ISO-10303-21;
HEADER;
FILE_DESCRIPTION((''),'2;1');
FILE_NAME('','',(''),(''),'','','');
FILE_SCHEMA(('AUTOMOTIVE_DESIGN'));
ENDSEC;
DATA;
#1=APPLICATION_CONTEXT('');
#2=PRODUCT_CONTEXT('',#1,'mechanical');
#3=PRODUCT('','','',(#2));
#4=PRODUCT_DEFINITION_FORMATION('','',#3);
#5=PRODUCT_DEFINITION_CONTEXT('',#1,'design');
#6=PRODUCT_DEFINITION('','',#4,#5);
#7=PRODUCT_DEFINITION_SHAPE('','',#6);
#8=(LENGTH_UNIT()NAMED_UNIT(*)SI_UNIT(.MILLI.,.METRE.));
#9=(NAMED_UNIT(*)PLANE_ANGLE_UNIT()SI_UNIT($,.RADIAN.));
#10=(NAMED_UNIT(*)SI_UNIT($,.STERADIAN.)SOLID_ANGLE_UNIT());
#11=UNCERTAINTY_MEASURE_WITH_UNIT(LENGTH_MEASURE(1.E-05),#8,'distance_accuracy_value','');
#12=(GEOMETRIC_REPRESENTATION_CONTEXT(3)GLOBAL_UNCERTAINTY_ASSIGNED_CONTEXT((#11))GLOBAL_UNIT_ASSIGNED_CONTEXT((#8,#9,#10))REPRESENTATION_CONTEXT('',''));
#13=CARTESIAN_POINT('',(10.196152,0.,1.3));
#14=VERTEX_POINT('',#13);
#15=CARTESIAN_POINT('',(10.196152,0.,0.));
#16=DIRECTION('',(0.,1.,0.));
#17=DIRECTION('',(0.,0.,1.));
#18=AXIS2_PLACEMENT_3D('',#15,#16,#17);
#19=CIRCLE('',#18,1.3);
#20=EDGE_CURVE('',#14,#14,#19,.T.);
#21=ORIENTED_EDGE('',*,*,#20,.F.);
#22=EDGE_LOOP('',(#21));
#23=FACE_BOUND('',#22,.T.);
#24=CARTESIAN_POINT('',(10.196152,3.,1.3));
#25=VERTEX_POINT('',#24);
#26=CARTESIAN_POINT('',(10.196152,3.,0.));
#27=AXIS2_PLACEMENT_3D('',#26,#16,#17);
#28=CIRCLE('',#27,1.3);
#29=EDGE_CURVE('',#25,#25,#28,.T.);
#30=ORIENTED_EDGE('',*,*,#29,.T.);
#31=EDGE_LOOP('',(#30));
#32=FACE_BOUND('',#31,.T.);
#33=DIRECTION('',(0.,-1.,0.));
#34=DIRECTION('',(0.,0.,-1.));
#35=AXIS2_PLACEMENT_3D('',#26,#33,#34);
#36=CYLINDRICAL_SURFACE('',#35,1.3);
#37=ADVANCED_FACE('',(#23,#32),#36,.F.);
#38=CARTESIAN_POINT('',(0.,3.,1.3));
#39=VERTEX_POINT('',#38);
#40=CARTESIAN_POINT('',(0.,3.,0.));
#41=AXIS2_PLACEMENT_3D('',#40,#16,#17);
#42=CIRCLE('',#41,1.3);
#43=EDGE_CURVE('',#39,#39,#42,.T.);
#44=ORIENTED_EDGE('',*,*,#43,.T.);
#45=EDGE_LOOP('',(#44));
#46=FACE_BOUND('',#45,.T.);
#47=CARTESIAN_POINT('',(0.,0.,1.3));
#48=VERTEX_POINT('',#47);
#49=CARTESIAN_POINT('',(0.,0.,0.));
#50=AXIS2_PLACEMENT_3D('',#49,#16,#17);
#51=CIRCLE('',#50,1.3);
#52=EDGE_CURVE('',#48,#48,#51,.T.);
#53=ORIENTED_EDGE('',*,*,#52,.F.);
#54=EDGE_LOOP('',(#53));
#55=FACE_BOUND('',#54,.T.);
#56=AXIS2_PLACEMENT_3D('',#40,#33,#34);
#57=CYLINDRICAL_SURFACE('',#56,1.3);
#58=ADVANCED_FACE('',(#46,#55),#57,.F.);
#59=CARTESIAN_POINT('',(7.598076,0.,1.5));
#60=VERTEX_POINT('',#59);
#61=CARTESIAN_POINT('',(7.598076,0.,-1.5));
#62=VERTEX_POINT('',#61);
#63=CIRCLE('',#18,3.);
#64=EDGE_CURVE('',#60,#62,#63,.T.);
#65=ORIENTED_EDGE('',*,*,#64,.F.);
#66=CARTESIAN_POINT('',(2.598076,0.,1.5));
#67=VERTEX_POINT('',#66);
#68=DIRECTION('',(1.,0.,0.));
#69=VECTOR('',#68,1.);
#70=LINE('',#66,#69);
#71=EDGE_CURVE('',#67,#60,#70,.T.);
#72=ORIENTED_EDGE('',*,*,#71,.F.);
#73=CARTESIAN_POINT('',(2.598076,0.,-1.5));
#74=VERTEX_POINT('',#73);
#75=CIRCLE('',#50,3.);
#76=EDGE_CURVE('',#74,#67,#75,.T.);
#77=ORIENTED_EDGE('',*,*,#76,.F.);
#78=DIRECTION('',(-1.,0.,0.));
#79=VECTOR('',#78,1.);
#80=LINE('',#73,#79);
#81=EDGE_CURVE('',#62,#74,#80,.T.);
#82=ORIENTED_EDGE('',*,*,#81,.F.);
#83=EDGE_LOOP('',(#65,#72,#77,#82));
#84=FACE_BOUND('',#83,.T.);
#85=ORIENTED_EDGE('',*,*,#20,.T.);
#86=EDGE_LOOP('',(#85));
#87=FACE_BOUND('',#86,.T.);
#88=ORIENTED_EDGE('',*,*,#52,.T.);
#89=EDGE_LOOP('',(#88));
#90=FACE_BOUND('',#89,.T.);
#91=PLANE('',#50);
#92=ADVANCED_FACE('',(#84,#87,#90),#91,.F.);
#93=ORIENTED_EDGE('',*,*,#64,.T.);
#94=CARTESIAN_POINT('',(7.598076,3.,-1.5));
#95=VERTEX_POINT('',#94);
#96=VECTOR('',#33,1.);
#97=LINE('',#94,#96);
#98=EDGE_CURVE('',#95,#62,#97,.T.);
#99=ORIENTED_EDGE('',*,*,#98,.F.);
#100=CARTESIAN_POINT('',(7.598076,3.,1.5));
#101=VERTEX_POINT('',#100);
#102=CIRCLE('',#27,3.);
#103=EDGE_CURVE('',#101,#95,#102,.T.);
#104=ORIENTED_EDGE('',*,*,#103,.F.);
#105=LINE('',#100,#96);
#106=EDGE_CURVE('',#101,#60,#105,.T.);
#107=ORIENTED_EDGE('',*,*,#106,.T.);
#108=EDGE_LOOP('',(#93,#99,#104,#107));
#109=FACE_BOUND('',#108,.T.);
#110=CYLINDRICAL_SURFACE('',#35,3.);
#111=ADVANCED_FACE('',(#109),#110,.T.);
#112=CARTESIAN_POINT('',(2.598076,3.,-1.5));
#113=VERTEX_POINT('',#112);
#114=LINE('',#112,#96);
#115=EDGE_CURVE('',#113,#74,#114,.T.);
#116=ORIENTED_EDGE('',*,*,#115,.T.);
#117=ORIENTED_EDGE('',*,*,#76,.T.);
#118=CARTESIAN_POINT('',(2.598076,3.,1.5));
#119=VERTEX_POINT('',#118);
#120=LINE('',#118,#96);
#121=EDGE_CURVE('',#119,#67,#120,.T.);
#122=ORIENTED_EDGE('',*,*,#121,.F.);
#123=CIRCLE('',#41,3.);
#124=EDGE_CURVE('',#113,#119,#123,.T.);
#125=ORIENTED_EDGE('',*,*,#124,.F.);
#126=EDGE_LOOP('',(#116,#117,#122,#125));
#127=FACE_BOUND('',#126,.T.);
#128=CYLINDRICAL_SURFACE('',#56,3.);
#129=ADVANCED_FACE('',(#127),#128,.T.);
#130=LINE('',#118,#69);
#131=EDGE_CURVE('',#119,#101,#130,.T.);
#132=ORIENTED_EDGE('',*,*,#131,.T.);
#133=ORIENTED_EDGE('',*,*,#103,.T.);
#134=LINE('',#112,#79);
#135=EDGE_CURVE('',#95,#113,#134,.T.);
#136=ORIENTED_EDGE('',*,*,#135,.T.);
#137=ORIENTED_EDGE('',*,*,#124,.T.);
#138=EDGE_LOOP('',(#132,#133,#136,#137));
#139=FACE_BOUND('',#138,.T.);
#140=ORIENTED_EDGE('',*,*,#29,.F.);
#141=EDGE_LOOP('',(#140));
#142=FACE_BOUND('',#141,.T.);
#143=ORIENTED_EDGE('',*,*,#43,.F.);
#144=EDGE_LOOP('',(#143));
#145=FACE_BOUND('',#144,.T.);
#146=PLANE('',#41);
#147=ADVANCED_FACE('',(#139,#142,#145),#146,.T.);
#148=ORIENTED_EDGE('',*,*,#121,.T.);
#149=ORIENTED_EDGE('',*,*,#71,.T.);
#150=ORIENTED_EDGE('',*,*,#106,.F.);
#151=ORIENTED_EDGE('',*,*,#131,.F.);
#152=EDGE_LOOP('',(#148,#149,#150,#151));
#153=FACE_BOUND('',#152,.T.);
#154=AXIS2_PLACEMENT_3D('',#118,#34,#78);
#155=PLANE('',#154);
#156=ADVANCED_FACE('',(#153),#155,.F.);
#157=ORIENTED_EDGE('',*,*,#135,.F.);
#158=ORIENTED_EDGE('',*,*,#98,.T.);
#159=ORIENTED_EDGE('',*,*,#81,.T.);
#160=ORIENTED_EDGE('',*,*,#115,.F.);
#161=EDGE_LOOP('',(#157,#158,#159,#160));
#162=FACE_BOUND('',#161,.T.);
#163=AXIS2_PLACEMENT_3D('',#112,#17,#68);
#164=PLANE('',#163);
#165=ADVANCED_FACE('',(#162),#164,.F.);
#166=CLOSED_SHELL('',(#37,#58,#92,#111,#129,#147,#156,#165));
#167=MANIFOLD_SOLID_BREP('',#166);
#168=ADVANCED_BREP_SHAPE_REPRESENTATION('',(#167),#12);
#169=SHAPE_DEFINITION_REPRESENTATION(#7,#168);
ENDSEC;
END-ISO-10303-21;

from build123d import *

# Parameters (mm, degrees)
SKETCH1_R           = 1.3
BOSS_EXTRUDE1_DEPTH = 3


with BuildPart() as part:
    # Sketch1 → Boss-Extrude1 (new body)
    with BuildSketch(Plane(origin=(0, 0, 0), x_dir=(1, 0, 0), z_dir=(0, 1, 0))):
        with BuildLine():
            Line((2.598076211, 1.5), (7.598076211, 1.5))
            ThreePointArc((7.598076211, 1.5), (13.196152423, 0), (7.598076211, -1.5))
            Line((7.598076211, -1.5), (2.598076211, -1.5))
            ThreePointArc((2.598076211, -1.5), (-3, 0), (2.598076211, 1.5))
        make_face()
        with Locations(Location((0, 0, 0), (0, 0, 270))):
            Circle(SKETCH1_R, mode=Mode.SUBTRACT)
        with Locations(Location((10.196152423, 0, 0), (0, 0, 270))):
            Circle(SKETCH1_R, mode=Mode.SUBTRACT)
    extrude(amount=BOSS_EXTRUDE1_DEPTH)


solid = part.part
